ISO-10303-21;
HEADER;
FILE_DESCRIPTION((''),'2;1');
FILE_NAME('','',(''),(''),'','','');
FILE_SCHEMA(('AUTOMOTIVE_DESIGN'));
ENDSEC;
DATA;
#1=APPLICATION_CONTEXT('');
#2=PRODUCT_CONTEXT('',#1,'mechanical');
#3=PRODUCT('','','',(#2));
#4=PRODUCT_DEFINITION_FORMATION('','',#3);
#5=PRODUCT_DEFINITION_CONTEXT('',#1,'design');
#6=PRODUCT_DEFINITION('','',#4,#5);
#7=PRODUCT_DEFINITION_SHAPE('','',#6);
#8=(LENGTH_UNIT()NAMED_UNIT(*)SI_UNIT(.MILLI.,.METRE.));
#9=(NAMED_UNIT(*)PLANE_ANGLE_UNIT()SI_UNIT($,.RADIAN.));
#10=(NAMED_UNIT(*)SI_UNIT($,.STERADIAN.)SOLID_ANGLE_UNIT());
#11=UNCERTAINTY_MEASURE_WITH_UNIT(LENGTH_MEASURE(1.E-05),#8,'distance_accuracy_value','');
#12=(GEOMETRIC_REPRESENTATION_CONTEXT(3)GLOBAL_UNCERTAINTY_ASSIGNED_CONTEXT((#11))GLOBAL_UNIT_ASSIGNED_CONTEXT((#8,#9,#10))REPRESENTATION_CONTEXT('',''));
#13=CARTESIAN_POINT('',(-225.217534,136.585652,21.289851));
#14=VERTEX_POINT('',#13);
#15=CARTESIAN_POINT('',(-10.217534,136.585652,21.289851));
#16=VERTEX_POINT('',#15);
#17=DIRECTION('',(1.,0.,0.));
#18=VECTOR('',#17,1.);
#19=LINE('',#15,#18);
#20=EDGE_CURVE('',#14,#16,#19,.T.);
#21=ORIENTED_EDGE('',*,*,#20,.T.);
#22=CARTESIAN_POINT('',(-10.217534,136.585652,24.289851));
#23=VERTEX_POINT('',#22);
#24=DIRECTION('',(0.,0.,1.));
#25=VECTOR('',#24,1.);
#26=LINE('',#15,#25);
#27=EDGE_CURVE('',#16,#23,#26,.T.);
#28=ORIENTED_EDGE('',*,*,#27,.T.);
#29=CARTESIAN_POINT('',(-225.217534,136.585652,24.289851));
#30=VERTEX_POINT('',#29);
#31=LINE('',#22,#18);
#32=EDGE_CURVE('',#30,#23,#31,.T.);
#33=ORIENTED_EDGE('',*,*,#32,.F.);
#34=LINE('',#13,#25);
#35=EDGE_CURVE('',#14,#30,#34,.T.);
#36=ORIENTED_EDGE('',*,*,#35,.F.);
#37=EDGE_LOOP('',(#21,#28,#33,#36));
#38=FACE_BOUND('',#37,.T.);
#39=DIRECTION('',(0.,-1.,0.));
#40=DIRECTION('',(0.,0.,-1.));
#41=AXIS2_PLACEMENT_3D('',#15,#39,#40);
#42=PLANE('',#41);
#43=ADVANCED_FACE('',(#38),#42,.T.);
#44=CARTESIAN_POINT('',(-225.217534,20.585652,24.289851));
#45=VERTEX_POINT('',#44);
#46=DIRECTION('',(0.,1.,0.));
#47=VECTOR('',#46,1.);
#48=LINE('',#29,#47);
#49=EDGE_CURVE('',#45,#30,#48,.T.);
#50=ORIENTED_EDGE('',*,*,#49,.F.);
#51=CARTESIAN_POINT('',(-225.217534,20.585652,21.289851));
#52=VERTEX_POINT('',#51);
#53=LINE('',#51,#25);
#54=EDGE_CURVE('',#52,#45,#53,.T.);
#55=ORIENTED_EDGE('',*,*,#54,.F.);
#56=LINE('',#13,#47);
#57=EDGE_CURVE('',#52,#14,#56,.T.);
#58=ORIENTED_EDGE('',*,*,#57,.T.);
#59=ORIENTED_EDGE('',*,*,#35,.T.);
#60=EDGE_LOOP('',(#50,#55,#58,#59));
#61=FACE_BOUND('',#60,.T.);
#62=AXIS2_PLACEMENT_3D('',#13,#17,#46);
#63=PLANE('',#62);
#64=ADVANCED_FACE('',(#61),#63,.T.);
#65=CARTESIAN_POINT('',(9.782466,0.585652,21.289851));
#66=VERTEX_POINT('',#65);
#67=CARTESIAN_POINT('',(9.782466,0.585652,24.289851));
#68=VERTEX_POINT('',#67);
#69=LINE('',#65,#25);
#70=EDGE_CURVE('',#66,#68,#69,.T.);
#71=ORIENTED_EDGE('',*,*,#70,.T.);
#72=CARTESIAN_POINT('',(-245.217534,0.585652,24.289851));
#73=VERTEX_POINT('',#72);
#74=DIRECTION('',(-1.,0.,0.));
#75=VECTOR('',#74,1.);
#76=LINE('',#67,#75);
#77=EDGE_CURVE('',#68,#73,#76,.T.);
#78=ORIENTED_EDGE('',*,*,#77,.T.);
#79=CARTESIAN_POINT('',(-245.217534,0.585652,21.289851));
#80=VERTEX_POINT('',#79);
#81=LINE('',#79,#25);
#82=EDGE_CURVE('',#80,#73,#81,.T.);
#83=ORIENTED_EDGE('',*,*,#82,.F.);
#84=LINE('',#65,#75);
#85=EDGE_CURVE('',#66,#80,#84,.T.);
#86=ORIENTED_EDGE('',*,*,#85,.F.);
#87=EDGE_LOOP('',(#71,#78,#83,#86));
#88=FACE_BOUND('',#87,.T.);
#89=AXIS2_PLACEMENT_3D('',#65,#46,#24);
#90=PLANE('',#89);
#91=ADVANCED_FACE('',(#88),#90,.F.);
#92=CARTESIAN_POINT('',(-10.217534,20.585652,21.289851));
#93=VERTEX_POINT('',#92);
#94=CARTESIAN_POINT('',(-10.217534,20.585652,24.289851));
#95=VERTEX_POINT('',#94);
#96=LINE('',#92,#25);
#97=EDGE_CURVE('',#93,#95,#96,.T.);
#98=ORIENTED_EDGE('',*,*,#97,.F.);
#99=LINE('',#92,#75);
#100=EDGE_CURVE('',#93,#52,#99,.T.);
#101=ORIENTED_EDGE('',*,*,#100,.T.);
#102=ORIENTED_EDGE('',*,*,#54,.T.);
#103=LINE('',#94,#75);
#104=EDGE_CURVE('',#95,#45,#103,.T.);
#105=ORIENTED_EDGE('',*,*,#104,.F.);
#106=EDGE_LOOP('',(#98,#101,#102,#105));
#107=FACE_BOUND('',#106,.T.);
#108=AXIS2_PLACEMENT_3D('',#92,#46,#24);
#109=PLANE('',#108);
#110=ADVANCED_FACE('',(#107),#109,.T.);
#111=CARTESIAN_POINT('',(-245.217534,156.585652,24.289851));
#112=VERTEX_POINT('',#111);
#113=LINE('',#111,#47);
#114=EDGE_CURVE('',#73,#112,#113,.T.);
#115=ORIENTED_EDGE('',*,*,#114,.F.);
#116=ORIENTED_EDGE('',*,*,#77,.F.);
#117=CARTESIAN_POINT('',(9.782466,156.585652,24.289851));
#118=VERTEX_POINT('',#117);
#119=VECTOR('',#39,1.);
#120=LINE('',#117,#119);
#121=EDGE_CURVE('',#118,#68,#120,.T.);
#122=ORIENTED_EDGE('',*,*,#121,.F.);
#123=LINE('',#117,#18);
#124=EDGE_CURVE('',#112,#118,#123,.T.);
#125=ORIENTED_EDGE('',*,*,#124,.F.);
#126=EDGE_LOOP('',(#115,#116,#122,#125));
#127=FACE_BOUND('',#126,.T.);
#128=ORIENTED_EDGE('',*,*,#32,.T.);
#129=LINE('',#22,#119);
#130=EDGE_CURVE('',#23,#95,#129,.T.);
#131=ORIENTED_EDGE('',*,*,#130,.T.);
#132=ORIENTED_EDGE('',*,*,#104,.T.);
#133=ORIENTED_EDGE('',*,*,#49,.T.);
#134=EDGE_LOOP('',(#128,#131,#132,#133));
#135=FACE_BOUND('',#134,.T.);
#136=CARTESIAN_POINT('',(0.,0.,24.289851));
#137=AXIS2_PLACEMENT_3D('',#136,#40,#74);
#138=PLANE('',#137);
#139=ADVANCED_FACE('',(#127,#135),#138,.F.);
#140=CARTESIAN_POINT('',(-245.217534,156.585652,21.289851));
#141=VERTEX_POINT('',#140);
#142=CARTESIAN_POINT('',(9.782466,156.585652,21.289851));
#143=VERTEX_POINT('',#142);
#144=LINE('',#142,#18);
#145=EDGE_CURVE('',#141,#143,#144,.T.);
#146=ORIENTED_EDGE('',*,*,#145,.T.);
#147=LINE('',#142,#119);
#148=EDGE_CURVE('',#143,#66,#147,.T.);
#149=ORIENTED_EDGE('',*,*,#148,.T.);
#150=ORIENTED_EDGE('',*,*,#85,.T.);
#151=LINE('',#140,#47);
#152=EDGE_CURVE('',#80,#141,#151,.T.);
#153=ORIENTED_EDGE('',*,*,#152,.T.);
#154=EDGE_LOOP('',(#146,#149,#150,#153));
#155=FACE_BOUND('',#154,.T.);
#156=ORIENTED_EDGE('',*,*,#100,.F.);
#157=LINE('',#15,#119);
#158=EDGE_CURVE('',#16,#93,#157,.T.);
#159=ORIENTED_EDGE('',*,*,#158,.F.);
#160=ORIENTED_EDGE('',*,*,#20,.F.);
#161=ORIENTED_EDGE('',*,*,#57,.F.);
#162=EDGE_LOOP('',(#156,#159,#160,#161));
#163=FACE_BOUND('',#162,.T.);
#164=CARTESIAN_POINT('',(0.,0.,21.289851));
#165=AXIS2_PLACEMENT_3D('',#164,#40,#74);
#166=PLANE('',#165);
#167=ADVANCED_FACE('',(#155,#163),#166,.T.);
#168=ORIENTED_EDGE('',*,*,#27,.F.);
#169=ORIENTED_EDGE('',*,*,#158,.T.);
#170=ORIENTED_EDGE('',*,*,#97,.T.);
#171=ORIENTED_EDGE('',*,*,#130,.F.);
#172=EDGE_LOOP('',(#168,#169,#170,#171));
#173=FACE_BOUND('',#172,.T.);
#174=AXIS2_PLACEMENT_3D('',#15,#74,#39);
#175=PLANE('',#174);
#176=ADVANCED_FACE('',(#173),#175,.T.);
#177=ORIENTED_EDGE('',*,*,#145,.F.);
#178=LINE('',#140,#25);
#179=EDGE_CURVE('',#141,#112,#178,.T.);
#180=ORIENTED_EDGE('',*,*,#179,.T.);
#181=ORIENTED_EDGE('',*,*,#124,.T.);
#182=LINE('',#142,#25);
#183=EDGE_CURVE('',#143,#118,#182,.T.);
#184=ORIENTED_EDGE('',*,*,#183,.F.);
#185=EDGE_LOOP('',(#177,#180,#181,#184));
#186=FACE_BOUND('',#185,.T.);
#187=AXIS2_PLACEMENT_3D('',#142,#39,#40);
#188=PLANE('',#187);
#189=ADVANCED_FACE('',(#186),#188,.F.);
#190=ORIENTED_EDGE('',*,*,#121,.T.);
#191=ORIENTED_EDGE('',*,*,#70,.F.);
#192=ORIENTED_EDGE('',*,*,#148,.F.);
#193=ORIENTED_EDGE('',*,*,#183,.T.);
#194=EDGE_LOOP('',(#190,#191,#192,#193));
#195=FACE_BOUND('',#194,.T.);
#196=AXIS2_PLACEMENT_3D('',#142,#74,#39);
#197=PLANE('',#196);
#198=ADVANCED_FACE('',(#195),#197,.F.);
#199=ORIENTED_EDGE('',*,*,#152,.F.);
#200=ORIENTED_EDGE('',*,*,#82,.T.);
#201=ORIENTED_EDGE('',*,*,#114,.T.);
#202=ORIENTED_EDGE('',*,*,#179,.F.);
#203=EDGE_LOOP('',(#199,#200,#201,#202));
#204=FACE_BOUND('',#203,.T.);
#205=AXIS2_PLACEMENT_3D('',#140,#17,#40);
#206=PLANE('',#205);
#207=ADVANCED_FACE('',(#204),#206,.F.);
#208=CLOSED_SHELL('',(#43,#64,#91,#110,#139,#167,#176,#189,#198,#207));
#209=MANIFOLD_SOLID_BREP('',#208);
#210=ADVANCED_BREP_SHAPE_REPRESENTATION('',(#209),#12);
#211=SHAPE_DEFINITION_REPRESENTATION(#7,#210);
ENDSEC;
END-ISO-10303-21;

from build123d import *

# Parameters (mm, degrees)
SKETCH2_W           = 255
SKETCH2_H           = 156
SKETCH2_W_2         = 215
SKETCH2_H_2         = 116
BOSS_EXTRUDE1_DEPTH = 3


with BuildPart() as part:
    # Sketch2 → Boss-Extrude1 (new body)
    with BuildSketch(Plane(origin=(0, 0, 24.28985078), x_dir=(-1, 0, 0), z_dir=(0, 0, -1))):
        with Locations((117.71753429, 78.585651873)):
            Rectangle(SKETCH2_W, SKETCH2_H)
        with Locations((117.71753429, 78.585651873)):
            Rectangle(SKETCH2_W_2, SKETCH2_H_2, mode=Mode.SUBTRACT)
    extrude(amount=BOSS_EXTRUDE1_DEPTH)


solid = part.part
